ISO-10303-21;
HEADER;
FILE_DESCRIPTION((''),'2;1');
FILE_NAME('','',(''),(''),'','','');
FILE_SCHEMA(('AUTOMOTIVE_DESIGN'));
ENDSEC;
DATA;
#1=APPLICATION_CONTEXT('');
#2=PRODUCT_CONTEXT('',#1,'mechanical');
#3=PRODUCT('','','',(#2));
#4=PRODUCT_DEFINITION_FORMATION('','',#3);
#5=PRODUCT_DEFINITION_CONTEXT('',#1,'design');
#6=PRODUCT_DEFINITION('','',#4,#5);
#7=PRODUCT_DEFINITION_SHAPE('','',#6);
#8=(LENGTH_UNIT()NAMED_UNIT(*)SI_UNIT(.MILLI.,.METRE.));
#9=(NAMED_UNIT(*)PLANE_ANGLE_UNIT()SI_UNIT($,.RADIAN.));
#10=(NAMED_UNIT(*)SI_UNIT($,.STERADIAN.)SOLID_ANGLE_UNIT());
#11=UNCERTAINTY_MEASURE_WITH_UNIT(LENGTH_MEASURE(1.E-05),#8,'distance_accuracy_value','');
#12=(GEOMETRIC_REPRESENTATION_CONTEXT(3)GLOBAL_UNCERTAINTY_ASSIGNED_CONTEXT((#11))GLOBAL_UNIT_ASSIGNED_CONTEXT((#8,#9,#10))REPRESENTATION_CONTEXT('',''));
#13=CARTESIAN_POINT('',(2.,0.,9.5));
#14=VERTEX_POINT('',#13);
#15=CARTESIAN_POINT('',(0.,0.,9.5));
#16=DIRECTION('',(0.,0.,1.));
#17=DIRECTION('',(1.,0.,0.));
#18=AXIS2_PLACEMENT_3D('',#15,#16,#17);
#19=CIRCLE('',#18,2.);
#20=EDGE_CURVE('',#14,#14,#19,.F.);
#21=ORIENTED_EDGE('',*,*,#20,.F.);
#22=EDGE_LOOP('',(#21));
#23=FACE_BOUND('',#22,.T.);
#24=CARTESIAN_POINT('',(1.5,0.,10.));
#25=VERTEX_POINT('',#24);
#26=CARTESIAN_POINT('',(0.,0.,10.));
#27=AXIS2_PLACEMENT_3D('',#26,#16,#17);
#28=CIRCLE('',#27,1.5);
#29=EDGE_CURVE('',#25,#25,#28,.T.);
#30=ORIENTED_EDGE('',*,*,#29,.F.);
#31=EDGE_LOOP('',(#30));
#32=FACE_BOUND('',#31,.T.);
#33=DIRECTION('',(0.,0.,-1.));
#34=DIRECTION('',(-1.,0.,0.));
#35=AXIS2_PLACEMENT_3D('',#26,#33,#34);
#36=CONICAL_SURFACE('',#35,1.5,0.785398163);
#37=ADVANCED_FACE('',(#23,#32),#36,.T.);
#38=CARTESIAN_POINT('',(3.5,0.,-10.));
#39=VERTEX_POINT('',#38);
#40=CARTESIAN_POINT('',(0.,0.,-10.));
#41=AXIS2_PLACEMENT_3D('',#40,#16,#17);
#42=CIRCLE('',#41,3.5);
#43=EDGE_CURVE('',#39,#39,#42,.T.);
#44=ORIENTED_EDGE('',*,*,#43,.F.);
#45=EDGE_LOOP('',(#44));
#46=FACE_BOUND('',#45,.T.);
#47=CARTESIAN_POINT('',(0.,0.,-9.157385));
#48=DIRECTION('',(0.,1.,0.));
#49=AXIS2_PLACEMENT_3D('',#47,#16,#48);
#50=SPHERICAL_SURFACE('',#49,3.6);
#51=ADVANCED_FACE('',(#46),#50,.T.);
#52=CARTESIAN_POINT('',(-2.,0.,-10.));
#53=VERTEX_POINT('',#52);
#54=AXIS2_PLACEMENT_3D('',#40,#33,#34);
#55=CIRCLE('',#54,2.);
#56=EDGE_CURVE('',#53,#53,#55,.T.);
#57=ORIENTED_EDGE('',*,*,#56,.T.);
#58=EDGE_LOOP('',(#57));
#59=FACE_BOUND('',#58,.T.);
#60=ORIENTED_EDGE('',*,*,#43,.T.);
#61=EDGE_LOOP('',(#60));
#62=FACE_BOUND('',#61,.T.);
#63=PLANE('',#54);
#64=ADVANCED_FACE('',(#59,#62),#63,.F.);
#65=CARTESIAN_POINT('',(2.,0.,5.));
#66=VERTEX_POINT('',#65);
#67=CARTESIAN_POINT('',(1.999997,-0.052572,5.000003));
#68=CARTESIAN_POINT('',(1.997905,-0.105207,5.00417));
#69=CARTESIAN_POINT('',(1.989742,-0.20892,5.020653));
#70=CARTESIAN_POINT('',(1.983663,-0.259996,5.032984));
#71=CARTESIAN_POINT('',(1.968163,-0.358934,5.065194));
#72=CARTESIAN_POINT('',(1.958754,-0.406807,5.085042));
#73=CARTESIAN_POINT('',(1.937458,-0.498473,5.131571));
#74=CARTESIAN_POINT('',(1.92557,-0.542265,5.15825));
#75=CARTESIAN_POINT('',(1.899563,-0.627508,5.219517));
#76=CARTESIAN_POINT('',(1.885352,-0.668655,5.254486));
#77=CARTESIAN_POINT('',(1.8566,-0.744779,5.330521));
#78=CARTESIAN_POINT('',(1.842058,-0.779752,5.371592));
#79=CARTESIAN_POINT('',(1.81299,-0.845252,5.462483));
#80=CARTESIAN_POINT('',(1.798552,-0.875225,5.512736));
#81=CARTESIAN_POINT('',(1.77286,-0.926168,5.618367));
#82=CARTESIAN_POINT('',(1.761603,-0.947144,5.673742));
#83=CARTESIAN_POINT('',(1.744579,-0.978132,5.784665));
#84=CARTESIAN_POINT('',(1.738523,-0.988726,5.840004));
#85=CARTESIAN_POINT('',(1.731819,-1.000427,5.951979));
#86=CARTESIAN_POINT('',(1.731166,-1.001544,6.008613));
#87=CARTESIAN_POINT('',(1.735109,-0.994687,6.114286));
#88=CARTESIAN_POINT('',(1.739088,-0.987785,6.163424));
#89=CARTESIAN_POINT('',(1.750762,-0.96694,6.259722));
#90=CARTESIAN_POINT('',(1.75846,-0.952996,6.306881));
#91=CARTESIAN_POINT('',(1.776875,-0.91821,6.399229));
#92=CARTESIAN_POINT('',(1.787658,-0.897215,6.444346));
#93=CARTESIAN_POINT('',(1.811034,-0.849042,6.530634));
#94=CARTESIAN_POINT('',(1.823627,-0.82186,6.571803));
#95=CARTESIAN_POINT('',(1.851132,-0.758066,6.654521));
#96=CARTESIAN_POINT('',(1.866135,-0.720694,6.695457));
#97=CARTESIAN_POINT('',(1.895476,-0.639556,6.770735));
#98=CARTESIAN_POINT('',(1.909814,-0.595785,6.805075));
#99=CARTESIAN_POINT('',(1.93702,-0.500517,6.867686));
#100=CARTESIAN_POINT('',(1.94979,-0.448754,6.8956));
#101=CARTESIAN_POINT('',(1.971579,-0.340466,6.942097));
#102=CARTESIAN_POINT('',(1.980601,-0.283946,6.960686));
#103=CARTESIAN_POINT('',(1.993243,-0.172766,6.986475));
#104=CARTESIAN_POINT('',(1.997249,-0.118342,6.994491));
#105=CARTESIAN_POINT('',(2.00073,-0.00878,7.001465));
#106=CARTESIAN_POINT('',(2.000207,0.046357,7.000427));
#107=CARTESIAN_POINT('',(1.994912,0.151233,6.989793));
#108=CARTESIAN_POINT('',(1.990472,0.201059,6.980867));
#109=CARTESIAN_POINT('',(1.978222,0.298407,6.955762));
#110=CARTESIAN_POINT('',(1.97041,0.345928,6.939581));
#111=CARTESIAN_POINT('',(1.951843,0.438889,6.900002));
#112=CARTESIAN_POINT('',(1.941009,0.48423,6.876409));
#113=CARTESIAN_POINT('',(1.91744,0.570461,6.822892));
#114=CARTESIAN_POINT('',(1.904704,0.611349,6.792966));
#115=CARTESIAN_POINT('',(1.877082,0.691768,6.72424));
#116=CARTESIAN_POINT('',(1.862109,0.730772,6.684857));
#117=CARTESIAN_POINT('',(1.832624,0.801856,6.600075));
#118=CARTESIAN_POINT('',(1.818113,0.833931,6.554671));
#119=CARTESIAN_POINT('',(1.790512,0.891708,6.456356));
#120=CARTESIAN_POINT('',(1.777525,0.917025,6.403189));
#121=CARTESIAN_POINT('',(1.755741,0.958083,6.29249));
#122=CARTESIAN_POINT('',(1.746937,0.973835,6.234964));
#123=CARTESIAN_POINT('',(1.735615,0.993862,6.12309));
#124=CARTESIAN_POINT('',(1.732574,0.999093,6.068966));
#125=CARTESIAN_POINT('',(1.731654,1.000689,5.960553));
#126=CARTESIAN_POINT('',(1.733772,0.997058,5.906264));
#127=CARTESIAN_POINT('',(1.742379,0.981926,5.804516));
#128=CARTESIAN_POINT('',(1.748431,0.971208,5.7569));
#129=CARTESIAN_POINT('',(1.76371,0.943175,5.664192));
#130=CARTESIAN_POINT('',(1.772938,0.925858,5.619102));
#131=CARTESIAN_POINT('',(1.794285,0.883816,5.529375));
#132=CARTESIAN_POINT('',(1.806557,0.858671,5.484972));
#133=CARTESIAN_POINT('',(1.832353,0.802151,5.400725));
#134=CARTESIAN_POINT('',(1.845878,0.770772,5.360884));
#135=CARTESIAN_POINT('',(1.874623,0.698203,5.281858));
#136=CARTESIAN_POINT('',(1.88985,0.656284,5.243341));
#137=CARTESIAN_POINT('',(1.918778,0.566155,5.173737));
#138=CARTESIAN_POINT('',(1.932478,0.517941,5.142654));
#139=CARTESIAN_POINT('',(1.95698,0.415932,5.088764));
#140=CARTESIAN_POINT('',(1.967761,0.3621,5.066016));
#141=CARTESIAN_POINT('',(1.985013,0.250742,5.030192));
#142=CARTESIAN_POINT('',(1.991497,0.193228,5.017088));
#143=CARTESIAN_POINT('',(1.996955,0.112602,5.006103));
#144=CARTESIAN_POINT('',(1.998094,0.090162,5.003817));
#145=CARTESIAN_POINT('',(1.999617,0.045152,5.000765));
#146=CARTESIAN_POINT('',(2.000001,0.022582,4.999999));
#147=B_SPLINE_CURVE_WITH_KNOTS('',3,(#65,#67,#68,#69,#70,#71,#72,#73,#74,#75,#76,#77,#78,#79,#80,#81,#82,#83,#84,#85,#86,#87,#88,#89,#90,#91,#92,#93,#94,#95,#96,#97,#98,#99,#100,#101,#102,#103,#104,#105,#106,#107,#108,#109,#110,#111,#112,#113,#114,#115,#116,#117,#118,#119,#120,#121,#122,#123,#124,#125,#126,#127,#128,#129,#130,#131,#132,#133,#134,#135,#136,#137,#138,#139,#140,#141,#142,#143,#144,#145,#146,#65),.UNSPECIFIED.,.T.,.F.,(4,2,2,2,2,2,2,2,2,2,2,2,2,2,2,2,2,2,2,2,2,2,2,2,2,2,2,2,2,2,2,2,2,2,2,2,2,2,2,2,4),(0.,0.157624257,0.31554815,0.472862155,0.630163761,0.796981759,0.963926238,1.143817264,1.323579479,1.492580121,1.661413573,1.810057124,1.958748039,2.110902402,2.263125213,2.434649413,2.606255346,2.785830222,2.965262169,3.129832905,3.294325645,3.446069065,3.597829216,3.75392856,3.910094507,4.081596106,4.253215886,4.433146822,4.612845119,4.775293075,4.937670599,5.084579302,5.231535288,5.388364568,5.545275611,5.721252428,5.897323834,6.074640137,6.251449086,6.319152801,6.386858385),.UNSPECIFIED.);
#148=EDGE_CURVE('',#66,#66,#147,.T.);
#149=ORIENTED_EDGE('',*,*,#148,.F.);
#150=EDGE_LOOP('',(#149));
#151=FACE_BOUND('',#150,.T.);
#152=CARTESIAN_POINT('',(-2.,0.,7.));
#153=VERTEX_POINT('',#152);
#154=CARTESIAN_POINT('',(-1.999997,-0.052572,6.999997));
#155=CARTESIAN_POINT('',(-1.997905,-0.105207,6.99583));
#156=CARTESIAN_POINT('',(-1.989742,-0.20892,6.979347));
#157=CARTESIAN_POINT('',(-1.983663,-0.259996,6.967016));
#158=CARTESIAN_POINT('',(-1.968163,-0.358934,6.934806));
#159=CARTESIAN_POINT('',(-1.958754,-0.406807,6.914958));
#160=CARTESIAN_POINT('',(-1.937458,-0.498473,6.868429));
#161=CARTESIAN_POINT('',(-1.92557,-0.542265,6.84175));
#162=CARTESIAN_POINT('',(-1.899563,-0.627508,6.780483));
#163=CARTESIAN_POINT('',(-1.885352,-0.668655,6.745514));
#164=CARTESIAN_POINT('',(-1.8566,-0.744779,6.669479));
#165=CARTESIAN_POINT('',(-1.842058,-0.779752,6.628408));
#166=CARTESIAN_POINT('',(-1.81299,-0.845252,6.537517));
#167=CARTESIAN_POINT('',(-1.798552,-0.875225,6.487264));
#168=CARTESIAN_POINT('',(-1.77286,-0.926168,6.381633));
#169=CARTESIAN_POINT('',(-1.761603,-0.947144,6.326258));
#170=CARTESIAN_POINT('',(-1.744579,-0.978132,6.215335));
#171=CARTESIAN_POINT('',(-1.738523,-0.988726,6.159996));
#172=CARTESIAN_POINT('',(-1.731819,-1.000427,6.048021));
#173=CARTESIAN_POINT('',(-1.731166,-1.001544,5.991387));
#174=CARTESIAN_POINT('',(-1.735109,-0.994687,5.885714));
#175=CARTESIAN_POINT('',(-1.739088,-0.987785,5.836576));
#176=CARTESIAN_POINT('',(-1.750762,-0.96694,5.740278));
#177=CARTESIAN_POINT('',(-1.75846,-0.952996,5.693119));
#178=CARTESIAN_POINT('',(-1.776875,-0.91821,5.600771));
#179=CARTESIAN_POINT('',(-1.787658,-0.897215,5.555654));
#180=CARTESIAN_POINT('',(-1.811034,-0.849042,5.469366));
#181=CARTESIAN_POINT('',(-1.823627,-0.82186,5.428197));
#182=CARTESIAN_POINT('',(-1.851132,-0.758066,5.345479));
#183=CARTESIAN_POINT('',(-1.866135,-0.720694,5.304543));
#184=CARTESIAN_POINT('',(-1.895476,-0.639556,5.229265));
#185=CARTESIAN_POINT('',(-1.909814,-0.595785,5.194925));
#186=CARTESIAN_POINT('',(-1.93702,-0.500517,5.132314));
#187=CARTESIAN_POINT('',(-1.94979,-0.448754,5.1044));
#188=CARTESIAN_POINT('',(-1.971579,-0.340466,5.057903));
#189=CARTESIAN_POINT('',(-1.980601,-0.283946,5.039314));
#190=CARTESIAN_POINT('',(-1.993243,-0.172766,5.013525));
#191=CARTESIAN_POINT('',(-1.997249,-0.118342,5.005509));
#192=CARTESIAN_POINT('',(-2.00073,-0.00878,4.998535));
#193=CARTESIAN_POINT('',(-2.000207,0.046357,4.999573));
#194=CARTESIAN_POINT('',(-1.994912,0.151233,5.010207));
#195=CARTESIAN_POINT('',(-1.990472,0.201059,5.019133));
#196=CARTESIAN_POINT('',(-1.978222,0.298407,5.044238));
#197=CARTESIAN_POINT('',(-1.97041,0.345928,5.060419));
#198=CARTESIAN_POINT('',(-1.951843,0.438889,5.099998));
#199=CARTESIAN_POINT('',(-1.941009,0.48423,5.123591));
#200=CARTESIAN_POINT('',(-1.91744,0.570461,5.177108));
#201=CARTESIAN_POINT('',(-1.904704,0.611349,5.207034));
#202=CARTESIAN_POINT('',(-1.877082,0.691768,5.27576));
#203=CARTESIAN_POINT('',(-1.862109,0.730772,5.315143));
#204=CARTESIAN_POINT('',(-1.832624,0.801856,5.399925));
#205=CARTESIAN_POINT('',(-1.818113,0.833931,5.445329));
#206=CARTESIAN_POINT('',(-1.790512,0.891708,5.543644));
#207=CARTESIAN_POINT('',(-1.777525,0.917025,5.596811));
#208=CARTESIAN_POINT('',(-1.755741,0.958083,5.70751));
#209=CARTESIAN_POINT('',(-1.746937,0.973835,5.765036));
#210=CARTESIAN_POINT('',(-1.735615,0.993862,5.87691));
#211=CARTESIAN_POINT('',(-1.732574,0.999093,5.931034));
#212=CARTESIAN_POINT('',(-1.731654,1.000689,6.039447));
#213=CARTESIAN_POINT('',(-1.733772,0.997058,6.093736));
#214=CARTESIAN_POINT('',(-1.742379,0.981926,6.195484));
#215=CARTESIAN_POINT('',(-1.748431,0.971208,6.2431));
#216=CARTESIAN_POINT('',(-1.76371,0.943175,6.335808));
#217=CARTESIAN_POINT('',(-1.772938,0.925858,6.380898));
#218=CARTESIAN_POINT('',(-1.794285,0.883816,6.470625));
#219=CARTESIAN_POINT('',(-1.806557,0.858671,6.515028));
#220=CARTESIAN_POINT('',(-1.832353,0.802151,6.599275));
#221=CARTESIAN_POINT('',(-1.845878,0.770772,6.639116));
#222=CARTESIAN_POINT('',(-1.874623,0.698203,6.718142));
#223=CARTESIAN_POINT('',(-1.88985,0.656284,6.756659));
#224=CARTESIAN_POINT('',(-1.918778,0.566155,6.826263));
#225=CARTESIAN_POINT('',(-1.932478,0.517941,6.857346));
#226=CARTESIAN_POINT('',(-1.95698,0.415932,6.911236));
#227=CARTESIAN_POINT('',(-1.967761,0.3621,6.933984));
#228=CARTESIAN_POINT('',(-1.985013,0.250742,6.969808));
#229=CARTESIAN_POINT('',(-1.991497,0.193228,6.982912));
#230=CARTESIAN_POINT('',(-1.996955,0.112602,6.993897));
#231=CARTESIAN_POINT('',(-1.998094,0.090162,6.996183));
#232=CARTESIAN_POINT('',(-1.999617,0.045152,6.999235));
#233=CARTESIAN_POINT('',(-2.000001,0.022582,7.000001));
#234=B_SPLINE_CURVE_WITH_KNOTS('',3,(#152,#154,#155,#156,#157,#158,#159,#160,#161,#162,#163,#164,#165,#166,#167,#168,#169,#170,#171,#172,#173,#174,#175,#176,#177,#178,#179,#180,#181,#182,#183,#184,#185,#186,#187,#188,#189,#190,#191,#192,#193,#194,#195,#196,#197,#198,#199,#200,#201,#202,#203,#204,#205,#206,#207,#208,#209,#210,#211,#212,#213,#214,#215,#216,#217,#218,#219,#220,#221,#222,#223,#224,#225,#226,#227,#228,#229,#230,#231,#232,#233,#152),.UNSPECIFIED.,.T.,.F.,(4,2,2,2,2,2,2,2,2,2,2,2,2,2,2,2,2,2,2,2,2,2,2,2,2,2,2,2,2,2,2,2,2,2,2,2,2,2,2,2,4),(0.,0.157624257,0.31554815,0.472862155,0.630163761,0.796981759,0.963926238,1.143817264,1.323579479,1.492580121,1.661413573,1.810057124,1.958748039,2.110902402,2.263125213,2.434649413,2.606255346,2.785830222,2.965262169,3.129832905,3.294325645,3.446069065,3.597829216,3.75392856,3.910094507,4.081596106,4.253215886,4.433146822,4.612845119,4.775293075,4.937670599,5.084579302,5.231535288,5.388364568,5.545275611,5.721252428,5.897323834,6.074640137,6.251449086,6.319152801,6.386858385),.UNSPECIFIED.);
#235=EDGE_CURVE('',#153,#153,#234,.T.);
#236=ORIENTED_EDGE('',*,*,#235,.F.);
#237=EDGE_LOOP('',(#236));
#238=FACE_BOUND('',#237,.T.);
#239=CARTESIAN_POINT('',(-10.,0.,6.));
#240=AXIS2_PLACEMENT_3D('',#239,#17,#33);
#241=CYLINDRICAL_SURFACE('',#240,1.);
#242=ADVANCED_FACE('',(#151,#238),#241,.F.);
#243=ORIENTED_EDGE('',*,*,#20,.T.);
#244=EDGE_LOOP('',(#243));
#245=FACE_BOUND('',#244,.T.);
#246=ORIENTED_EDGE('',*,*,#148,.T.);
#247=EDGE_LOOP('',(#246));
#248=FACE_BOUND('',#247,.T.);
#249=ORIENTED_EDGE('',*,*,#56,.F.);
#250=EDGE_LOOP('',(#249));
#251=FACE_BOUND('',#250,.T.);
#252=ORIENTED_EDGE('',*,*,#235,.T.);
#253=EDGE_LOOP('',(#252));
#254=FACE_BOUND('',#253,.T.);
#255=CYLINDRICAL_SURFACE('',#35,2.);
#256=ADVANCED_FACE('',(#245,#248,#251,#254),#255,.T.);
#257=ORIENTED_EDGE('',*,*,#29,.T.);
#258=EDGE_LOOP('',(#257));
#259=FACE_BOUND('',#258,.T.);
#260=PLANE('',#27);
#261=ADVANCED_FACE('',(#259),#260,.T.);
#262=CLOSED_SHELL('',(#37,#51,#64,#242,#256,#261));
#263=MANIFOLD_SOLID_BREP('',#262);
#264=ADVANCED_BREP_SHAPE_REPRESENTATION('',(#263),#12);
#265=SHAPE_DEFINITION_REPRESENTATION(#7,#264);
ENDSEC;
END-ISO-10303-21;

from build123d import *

# Parameters (mm, degrees)
SKETCH2_R           = 2
BOSS_EXTRUDE1_DEPTH = 10
CHAMFER1_SIZE       = 0.5
SKETCH4_R           = 1
CUT_EXTRUDE1_DEPTH  = 10


with BuildPart() as part:
    # Sketch2 → Boss-Extrude1 (new body, symmetric)
    with BuildSketch(Plane.XY):
        Circle(SKETCH2_R)
    extrude(amount=BOSS_EXTRUDE1_DEPTH, both=True)

    # Chamfer1
    chamfer1_edges = [part.edges().sort_by_distance(p)[0] for p in [
        (-2, 0, 10),
    ]]
    chamfer(chamfer1_edges, length=CHAMFER1_SIZE)

    # Sketch3 → Revolve1 (revolve)
    with BuildSketch(Plane(origin=(0, 0, 0), x_dir=(0, 0, -1), z_dir=(1, 0, 0))):
        with BuildLine():
            Line((10, 0), (10, 3.5))
            ThreePointArc((10, 3.5), (11.985229955, 2.227844932), (12.757385023, 0))
            Line((12.757385023, 0), (10, 0))
        make_face()
    revolve(axis=Axis((0, 0, -6.005295168), (0, 0, -1)))

    # Sketch4 → Cut-Extrude1 (cut, symmetric)
    with BuildSketch(Plane(origin=(0, 0, 0), x_dir=(0, 0, -1), z_dir=(1, 0, 0))):
        with Locations((-6, 0)):
            Circle(SKETCH4_R)
    extrude(amount=CUT_EXTRUDE1_DEPTH, both=True, mode=Mode.SUBTRACT)


solid = part.part
